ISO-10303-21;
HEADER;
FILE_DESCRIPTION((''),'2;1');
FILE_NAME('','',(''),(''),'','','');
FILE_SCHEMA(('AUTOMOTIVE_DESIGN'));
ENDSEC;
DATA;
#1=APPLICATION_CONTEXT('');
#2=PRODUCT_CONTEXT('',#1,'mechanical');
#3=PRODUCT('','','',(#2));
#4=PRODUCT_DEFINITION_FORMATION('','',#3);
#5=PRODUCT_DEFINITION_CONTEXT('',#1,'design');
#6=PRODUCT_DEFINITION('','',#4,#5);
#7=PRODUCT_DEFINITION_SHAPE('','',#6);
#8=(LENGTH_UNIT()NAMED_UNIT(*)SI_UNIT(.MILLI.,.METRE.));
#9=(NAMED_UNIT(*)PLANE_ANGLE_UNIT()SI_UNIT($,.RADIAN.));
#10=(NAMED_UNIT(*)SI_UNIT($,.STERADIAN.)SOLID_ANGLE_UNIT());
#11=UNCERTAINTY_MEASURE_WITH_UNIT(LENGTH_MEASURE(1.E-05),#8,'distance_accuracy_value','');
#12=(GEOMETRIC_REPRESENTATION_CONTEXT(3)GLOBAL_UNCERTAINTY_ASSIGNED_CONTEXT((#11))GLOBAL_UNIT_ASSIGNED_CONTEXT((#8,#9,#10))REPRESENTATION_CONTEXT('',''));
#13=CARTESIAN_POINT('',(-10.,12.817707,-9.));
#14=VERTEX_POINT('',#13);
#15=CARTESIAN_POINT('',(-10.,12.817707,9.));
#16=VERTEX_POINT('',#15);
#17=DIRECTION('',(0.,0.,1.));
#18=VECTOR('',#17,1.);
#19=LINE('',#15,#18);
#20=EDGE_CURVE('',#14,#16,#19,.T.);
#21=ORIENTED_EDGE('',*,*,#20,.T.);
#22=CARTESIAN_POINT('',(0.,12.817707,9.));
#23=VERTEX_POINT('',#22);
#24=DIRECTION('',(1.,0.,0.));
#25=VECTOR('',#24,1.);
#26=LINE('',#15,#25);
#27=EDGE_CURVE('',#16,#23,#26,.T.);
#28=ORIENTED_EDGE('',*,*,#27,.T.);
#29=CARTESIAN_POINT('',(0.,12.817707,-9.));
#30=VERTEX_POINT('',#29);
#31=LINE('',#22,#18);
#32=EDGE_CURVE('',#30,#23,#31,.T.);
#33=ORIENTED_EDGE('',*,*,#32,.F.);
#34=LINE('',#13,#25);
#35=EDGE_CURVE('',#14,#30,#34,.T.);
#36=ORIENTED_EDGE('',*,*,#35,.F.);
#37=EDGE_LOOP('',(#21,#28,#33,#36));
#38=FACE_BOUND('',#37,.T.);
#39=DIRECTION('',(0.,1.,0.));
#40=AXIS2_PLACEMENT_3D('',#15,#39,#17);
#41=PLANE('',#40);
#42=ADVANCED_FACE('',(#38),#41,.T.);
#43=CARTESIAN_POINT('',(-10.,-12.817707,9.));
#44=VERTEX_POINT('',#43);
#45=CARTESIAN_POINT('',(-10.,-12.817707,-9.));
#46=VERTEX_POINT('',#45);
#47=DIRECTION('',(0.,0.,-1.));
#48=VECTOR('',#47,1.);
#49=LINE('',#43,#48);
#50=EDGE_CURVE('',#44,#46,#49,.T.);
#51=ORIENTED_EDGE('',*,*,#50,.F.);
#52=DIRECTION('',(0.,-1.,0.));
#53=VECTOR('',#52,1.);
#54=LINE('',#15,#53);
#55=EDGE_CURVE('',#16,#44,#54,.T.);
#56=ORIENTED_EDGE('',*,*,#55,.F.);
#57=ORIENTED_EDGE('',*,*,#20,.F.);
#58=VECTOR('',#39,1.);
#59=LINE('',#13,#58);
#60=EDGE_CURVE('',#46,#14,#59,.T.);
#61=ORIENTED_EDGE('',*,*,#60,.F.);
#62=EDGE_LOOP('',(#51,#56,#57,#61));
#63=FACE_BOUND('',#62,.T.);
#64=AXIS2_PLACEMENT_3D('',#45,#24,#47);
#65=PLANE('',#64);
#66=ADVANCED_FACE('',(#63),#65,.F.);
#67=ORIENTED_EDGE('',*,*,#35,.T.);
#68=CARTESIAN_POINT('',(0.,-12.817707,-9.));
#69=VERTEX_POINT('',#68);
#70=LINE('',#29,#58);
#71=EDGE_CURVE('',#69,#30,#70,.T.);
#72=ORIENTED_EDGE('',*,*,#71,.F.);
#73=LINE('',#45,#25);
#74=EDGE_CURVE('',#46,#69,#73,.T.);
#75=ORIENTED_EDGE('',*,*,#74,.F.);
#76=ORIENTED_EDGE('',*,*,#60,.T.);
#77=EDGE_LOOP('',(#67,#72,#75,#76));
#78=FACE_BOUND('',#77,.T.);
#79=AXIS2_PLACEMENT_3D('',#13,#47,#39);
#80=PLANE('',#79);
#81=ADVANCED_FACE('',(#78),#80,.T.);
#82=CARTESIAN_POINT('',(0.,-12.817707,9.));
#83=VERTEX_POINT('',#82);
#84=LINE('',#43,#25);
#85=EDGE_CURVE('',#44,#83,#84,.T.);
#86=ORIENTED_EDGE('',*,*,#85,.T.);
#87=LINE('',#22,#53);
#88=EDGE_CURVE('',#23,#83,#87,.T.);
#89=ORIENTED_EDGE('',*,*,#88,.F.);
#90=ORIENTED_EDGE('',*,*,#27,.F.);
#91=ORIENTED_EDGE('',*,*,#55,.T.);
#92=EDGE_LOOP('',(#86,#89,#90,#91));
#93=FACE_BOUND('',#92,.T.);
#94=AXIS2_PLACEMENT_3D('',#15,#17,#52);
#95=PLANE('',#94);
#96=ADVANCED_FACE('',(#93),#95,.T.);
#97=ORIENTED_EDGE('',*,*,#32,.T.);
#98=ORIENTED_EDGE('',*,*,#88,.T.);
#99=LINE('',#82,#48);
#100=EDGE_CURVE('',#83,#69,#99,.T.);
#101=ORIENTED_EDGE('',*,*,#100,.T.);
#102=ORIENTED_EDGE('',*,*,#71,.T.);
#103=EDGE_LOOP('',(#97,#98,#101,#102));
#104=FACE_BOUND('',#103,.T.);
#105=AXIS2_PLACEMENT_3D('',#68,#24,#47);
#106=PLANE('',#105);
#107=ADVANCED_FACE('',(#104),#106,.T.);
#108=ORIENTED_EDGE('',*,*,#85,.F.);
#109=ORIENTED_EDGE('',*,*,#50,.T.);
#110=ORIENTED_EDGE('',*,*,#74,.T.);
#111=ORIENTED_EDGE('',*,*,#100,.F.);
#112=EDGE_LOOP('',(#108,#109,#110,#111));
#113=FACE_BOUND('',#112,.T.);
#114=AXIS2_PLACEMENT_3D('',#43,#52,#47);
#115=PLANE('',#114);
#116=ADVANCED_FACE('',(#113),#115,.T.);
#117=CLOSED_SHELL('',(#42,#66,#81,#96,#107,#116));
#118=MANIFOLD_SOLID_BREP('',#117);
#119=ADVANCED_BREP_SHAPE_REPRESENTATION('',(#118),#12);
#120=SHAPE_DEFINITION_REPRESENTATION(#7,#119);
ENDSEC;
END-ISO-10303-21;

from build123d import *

# Parameters (mm, degrees)
SKETCH_1_W      = 18
SKETCH_1_H      = 25.635414884
EXTRUDE_1_DEPTH = 10


with BuildPart() as part:
    # Эскиз1 → Вытянуть1 (new body)
    with BuildSketch(Plane(origin=(0, 0, 0), x_dir=(0, 0, -1), z_dir=(1, 0, 0))):
        Rectangle(SKETCH_1_W, SKETCH_1_H)
    extrude(amount=-EXTRUDE_1_DEPTH)


solid = part.part
